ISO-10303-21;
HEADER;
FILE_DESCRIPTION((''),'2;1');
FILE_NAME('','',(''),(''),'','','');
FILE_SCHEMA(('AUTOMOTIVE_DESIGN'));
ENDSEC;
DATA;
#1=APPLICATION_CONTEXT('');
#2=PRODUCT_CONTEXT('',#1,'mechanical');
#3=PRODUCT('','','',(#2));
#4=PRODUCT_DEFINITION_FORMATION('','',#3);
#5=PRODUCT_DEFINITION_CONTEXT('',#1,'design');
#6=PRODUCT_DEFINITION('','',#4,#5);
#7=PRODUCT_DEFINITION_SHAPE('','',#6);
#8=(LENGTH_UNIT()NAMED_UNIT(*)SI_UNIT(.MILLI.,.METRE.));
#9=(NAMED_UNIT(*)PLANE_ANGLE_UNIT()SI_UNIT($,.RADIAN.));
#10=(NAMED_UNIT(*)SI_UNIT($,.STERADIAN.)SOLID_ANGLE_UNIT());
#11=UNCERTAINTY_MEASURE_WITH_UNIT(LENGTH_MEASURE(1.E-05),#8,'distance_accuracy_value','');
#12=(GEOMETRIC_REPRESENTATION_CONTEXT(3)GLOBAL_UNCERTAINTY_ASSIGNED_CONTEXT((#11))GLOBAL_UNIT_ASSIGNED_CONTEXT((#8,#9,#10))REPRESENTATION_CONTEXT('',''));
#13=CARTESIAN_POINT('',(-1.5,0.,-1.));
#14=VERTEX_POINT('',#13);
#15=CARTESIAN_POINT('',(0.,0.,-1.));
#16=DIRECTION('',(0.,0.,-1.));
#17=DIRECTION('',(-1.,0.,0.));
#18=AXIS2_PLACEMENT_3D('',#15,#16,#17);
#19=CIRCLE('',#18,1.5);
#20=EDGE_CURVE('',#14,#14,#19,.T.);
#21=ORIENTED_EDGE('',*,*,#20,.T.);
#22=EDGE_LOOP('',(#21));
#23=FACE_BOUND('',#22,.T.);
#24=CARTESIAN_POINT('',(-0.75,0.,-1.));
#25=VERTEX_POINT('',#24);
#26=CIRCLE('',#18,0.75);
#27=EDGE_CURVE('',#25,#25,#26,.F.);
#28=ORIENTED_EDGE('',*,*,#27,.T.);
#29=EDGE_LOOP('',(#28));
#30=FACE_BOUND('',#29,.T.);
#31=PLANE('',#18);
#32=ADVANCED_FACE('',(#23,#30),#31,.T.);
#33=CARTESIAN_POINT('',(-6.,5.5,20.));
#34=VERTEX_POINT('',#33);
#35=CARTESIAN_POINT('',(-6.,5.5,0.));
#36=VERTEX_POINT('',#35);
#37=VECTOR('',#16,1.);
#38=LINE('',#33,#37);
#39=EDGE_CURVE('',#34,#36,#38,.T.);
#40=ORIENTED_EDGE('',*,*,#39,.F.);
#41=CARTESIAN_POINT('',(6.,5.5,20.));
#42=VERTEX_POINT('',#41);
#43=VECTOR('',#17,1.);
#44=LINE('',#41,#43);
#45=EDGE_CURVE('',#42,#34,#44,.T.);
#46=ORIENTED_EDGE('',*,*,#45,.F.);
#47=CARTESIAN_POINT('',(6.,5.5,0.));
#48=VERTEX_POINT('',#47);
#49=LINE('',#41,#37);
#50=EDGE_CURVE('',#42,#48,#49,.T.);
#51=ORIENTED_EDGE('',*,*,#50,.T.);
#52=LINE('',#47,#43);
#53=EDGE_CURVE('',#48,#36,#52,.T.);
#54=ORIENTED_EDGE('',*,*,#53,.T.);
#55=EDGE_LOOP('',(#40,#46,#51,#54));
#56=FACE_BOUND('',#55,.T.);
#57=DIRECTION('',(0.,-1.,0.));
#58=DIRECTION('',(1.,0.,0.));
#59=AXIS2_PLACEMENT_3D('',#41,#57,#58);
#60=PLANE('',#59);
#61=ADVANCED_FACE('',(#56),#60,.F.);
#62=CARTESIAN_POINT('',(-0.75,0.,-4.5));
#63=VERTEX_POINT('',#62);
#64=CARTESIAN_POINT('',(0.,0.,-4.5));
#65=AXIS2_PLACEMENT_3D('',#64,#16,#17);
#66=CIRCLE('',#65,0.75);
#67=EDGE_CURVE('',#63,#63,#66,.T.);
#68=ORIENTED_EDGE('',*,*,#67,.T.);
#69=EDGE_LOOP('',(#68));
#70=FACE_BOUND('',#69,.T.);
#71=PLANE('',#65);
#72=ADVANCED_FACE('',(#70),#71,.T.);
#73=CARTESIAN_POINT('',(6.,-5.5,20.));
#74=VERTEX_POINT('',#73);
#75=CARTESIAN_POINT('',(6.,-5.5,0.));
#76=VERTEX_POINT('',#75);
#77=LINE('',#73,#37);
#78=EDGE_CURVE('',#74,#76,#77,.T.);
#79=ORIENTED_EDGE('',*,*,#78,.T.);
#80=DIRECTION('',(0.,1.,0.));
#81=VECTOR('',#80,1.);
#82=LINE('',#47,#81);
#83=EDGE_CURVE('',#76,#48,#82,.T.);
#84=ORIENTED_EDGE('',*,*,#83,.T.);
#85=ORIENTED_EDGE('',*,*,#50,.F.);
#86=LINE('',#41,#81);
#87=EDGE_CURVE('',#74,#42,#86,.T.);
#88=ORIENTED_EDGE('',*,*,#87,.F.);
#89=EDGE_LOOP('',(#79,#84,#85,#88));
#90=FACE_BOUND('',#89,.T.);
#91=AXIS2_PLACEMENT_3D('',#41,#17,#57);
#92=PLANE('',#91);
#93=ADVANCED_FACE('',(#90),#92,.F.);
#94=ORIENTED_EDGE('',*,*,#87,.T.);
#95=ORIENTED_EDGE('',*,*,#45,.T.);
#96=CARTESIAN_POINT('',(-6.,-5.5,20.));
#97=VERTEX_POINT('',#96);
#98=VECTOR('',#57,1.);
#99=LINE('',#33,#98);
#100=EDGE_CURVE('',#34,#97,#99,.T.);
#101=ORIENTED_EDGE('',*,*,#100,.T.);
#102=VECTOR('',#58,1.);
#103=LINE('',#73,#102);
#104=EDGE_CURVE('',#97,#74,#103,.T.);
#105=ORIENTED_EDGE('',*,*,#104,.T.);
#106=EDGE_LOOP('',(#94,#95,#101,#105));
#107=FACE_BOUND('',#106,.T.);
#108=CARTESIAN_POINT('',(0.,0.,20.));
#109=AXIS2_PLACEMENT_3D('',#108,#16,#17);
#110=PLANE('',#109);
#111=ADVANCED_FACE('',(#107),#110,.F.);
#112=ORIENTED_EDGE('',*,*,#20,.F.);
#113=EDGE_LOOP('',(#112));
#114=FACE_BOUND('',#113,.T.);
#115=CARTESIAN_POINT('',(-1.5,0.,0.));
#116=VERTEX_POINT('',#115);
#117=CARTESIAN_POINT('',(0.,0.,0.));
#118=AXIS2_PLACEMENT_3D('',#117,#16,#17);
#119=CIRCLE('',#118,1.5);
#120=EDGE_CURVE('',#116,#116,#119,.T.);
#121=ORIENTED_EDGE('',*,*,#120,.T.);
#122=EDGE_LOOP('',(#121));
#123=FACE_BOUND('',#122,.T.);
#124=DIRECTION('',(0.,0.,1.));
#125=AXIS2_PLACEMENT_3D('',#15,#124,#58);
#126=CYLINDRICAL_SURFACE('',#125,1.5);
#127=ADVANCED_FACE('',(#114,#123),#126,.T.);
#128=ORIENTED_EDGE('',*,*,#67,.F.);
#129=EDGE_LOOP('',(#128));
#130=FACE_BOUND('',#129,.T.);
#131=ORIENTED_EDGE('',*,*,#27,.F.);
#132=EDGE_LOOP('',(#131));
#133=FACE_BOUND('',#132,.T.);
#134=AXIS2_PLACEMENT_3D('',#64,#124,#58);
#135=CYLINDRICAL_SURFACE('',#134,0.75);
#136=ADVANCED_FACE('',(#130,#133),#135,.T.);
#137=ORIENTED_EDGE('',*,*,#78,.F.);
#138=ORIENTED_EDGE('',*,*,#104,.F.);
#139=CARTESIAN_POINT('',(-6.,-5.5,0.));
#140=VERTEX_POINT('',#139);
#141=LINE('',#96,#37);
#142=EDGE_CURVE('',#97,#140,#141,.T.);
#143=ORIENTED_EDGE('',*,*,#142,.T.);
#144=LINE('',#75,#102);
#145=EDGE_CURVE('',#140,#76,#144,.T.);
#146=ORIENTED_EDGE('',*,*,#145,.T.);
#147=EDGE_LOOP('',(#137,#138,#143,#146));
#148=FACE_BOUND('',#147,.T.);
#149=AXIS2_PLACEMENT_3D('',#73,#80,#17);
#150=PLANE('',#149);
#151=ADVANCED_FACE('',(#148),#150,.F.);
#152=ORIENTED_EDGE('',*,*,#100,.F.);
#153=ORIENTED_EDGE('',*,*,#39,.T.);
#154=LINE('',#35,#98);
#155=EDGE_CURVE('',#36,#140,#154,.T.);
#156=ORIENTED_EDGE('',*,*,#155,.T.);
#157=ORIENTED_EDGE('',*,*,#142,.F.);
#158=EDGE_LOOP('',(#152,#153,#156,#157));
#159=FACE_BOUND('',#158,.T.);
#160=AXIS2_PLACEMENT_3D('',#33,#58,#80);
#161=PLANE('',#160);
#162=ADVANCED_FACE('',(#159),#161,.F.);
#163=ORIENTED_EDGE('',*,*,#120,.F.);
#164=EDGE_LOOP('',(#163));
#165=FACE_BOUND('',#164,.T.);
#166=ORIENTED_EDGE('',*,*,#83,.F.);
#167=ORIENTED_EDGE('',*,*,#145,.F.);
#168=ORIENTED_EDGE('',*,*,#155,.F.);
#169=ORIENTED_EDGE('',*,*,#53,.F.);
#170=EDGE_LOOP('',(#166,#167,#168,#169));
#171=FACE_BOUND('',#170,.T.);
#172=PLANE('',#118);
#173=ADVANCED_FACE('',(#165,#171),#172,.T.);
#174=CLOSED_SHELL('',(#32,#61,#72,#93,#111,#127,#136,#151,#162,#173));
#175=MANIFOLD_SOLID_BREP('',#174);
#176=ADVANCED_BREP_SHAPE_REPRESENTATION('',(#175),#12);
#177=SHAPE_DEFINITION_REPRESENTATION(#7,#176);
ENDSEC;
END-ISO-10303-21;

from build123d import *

# Parameters (mm, degrees)
SKETCH_1_W      = 12
SKETCH_1_H      = 11
EXTRUDE_1_DEPTH = 20
SKETCH_2_R      = 1.5
EXTRUDE_2_DEPTH = 1
SKETCH_3_R      = 0.75
EXTRUDE_3_DEPTH = 4.5


with BuildPart() as part:
    # ｽｹｯﾁ1 → ﾎﾞｽ - 押し出し1 (new body)
    with BuildSketch(Plane.XY):
        Rectangle(SKETCH_1_W, SKETCH_1_H)
    extrude(amount=EXTRUDE_1_DEPTH)

    # ｽｹｯﾁ2 → ﾎﾞｽ - 押し出し2 (add)
    with BuildSketch(Plane(origin=(0, 0, 0), x_dir=(-1, 0, 0), z_dir=(0, 0, -1))):
        Circle(SKETCH_2_R)
    extrude(amount=EXTRUDE_2_DEPTH)

    # ｽｹｯﾁ3 → ﾎﾞｽ - 押し出し3 (add)
    with BuildSketch(Plane(origin=(0, 0, 0), x_dir=(-1, 0, 0), z_dir=(0, 0, -1))):
        Circle(SKETCH_3_R)
    extrude(amount=EXTRUDE_3_DEPTH)


solid = part.part
